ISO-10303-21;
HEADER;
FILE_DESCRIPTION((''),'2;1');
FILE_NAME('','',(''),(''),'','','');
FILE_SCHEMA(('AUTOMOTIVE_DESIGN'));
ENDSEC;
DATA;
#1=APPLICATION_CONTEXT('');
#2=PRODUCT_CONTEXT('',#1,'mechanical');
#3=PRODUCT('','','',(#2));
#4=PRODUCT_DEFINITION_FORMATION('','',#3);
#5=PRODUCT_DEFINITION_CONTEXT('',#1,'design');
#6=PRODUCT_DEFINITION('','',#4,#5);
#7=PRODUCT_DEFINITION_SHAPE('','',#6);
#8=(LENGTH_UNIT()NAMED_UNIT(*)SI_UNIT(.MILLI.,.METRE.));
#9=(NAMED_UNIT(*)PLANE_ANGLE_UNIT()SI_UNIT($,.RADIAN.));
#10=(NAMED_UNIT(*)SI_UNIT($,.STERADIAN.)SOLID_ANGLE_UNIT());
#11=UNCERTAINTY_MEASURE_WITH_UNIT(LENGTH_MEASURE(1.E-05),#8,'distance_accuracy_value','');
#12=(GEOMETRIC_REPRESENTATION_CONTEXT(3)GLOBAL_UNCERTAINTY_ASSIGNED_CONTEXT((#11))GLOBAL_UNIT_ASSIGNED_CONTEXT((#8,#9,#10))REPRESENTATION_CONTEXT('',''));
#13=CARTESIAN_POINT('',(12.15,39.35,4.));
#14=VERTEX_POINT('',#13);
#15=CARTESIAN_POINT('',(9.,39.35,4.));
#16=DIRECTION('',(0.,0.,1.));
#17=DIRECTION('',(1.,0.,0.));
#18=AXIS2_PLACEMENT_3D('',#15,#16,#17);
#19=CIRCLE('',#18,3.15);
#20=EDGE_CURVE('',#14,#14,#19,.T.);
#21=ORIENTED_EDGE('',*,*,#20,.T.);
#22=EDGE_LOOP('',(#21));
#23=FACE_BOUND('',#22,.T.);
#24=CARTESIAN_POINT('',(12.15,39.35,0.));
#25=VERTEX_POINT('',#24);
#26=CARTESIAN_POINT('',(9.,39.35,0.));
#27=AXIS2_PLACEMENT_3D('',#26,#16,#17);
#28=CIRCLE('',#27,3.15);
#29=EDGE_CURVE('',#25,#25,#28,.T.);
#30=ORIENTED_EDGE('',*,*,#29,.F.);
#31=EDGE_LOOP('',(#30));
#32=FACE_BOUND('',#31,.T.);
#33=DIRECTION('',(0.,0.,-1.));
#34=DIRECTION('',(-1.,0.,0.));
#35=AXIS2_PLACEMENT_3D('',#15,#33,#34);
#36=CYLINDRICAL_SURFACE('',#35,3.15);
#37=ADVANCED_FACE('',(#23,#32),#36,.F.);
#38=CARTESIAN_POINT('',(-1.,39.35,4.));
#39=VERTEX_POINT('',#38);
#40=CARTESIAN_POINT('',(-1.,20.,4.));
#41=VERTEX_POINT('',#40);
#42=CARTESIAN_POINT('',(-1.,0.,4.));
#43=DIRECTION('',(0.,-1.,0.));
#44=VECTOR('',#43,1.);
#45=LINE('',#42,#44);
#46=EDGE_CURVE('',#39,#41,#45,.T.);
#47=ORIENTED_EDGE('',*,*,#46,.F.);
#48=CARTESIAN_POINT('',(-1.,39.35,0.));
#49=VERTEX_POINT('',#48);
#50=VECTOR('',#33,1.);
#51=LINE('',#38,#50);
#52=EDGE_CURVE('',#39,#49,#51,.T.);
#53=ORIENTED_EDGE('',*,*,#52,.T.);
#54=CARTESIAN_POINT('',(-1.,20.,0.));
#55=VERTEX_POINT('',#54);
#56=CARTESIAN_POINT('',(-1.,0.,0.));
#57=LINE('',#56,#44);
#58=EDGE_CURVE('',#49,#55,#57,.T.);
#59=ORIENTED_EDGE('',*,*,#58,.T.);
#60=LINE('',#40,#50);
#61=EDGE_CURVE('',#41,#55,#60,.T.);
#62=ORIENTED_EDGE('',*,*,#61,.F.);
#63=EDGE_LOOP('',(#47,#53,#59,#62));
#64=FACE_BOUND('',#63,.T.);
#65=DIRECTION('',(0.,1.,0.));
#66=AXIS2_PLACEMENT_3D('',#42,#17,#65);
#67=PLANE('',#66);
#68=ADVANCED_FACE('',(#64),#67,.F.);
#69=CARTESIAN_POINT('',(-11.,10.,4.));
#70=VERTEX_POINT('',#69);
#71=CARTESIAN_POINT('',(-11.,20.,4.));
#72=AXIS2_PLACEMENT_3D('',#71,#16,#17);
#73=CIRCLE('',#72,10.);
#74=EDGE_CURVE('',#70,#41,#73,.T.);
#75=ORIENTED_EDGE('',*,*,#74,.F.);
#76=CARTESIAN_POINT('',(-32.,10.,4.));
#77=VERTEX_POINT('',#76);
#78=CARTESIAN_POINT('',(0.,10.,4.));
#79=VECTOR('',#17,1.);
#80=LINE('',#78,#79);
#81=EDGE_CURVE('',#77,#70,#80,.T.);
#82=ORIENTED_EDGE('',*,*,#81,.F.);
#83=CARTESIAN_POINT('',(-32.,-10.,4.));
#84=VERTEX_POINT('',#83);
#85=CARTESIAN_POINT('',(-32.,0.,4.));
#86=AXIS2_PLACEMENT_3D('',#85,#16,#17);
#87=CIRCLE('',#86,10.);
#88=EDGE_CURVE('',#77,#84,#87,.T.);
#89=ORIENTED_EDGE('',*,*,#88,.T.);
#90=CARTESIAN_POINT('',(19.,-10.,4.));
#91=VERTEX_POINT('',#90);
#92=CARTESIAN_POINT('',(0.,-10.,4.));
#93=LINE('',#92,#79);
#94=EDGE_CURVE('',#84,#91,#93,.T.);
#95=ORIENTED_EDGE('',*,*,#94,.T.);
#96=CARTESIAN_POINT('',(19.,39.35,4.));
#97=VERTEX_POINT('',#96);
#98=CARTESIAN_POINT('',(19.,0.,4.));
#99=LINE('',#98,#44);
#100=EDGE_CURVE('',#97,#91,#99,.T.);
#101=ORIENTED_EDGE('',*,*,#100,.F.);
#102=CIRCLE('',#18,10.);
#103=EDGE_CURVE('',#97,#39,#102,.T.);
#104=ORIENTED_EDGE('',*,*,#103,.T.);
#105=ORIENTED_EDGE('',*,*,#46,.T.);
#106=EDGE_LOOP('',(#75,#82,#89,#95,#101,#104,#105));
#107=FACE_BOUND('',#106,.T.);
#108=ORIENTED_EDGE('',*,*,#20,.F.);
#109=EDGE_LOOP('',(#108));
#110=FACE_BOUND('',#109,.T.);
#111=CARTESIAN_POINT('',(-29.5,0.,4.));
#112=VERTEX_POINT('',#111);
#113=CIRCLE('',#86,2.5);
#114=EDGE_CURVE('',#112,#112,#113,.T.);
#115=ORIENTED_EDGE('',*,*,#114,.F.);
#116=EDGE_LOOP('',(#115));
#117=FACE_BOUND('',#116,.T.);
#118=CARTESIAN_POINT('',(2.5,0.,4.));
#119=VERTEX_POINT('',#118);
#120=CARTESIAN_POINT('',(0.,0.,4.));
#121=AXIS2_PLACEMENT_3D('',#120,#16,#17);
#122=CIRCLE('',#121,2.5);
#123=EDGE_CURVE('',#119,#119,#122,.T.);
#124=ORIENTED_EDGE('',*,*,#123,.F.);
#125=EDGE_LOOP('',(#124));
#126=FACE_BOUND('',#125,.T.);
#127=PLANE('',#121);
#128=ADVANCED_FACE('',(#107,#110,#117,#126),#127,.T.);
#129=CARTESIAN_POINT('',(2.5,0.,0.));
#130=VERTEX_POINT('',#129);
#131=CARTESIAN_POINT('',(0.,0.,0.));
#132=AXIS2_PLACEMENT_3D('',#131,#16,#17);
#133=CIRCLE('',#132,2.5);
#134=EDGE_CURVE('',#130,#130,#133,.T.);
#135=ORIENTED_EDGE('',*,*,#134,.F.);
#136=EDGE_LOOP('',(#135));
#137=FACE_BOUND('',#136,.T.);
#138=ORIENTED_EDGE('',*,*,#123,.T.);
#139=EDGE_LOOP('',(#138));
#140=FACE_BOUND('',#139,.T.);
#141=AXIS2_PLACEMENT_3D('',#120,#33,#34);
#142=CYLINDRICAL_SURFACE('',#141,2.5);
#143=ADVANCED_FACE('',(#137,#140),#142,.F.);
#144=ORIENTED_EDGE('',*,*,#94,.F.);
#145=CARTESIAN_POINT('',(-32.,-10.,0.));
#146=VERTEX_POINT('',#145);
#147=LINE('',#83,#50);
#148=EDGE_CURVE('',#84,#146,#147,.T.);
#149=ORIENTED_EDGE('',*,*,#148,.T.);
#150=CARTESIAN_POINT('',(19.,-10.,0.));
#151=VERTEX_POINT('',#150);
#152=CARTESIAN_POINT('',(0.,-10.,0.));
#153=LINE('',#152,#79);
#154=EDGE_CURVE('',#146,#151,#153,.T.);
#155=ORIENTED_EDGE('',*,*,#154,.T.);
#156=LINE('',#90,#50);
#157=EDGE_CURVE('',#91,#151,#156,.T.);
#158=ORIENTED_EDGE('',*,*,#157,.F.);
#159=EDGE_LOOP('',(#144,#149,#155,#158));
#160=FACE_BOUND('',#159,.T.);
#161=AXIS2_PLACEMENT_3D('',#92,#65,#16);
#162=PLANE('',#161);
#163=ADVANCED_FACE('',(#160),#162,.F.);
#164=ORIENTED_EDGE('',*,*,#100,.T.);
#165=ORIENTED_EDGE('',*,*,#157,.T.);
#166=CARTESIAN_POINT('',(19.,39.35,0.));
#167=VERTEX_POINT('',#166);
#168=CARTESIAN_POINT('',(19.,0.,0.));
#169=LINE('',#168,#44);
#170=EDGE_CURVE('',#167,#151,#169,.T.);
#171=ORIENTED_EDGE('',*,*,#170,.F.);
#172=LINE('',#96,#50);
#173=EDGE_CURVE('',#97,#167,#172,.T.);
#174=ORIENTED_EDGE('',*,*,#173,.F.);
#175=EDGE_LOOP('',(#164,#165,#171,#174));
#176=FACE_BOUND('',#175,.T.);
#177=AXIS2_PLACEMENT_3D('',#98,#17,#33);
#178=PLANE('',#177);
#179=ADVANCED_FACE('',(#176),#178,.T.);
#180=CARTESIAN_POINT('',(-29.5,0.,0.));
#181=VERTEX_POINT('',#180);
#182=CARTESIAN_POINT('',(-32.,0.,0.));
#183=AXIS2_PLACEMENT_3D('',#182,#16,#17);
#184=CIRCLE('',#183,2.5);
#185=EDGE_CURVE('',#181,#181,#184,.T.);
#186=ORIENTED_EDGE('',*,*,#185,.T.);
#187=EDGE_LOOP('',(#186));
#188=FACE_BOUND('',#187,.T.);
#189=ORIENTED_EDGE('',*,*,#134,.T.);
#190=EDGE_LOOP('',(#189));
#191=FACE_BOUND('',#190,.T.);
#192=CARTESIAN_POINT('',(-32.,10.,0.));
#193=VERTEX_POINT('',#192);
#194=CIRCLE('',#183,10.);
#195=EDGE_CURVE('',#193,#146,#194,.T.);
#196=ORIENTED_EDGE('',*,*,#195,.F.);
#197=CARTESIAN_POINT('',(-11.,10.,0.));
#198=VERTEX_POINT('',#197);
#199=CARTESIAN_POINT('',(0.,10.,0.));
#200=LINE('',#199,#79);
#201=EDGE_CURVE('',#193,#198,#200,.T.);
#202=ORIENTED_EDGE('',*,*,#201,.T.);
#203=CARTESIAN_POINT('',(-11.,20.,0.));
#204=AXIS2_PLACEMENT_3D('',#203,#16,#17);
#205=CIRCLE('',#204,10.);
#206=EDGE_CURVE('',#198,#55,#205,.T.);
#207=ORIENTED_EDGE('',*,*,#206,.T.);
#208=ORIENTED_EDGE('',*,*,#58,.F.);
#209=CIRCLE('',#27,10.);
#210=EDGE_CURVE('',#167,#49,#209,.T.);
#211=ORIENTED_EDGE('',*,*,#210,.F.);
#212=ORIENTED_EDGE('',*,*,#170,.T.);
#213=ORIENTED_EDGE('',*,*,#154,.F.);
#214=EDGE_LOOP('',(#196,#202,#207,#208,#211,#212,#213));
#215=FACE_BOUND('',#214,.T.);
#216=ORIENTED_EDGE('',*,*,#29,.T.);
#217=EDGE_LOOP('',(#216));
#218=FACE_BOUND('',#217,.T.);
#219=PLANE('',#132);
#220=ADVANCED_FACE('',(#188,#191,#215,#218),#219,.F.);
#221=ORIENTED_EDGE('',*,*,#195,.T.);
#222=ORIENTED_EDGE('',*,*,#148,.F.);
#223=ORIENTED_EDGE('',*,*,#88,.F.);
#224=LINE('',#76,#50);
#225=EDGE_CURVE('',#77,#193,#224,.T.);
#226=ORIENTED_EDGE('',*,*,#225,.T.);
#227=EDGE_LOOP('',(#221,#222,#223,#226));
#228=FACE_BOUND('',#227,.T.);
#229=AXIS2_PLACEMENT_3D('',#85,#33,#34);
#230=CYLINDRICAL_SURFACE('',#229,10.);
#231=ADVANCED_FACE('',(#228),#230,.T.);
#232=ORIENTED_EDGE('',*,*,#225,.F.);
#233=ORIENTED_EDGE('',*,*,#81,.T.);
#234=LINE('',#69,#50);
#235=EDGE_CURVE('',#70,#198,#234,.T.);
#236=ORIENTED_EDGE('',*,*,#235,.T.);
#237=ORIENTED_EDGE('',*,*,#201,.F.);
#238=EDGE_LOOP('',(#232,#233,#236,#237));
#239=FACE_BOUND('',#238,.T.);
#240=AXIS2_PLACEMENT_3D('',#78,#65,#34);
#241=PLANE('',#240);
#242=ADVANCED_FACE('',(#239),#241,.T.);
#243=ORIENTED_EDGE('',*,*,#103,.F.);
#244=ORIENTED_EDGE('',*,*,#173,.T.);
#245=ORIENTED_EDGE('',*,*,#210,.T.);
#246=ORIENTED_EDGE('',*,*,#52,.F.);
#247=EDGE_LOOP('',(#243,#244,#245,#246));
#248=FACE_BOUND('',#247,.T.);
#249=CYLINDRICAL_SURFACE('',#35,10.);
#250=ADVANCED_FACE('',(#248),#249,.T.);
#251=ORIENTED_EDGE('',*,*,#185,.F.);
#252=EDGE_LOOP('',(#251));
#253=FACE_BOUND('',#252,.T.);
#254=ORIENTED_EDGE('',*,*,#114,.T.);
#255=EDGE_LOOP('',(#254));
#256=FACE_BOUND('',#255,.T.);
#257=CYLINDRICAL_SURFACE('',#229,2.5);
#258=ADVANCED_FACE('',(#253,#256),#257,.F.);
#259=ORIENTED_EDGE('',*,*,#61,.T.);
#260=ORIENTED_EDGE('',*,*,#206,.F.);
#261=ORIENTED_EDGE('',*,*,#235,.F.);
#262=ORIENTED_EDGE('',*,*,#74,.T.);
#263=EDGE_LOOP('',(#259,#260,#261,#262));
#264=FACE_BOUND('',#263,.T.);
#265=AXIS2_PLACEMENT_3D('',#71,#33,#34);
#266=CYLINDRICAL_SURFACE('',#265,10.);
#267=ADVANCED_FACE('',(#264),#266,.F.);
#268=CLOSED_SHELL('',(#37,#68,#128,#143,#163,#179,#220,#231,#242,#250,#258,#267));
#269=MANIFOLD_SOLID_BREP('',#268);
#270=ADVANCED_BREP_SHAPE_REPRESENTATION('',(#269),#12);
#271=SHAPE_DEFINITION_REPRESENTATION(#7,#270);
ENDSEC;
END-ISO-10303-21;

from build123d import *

# Parameters (mm, degrees)
SKETCH_1_R      = 2.5
SKETCH_1_R_2    = 3.15
EXTRUDE_1_DEPTH = 4


with BuildPart() as part:
    # 草图1 → 凸台-拉伸1 (new body)
    with BuildSketch(Plane.XY):
        with BuildLine():
            ThreePointArc((-11, 10), (-3.928932188, 12.928932188), (-1, 20))
            Line((-1, 20), (-1, 39.35))
            ThreePointArc((-1, 39.35), (9, 49.35), (19, 39.35))
            Line((19, 39.35), (19, -10))
            Line((19, -10), (-32, -10))
            ThreePointArc((-32, -10), (-42, 0), (-32, 10))
            Line((-32, 10), (-11, 10))
        make_face()
        with Locations((-32, 0)):
            Circle(SKETCH_1_R, mode=Mode.SUBTRACT)
        with Locations((9, 39.35)):
            Circle(SKETCH_1_R_2, mode=Mode.SUBTRACT)
        Circle(SKETCH_1_R, mode=Mode.SUBTRACT)
    extrude(amount=EXTRUDE_1_DEPTH)


solid = part.part
